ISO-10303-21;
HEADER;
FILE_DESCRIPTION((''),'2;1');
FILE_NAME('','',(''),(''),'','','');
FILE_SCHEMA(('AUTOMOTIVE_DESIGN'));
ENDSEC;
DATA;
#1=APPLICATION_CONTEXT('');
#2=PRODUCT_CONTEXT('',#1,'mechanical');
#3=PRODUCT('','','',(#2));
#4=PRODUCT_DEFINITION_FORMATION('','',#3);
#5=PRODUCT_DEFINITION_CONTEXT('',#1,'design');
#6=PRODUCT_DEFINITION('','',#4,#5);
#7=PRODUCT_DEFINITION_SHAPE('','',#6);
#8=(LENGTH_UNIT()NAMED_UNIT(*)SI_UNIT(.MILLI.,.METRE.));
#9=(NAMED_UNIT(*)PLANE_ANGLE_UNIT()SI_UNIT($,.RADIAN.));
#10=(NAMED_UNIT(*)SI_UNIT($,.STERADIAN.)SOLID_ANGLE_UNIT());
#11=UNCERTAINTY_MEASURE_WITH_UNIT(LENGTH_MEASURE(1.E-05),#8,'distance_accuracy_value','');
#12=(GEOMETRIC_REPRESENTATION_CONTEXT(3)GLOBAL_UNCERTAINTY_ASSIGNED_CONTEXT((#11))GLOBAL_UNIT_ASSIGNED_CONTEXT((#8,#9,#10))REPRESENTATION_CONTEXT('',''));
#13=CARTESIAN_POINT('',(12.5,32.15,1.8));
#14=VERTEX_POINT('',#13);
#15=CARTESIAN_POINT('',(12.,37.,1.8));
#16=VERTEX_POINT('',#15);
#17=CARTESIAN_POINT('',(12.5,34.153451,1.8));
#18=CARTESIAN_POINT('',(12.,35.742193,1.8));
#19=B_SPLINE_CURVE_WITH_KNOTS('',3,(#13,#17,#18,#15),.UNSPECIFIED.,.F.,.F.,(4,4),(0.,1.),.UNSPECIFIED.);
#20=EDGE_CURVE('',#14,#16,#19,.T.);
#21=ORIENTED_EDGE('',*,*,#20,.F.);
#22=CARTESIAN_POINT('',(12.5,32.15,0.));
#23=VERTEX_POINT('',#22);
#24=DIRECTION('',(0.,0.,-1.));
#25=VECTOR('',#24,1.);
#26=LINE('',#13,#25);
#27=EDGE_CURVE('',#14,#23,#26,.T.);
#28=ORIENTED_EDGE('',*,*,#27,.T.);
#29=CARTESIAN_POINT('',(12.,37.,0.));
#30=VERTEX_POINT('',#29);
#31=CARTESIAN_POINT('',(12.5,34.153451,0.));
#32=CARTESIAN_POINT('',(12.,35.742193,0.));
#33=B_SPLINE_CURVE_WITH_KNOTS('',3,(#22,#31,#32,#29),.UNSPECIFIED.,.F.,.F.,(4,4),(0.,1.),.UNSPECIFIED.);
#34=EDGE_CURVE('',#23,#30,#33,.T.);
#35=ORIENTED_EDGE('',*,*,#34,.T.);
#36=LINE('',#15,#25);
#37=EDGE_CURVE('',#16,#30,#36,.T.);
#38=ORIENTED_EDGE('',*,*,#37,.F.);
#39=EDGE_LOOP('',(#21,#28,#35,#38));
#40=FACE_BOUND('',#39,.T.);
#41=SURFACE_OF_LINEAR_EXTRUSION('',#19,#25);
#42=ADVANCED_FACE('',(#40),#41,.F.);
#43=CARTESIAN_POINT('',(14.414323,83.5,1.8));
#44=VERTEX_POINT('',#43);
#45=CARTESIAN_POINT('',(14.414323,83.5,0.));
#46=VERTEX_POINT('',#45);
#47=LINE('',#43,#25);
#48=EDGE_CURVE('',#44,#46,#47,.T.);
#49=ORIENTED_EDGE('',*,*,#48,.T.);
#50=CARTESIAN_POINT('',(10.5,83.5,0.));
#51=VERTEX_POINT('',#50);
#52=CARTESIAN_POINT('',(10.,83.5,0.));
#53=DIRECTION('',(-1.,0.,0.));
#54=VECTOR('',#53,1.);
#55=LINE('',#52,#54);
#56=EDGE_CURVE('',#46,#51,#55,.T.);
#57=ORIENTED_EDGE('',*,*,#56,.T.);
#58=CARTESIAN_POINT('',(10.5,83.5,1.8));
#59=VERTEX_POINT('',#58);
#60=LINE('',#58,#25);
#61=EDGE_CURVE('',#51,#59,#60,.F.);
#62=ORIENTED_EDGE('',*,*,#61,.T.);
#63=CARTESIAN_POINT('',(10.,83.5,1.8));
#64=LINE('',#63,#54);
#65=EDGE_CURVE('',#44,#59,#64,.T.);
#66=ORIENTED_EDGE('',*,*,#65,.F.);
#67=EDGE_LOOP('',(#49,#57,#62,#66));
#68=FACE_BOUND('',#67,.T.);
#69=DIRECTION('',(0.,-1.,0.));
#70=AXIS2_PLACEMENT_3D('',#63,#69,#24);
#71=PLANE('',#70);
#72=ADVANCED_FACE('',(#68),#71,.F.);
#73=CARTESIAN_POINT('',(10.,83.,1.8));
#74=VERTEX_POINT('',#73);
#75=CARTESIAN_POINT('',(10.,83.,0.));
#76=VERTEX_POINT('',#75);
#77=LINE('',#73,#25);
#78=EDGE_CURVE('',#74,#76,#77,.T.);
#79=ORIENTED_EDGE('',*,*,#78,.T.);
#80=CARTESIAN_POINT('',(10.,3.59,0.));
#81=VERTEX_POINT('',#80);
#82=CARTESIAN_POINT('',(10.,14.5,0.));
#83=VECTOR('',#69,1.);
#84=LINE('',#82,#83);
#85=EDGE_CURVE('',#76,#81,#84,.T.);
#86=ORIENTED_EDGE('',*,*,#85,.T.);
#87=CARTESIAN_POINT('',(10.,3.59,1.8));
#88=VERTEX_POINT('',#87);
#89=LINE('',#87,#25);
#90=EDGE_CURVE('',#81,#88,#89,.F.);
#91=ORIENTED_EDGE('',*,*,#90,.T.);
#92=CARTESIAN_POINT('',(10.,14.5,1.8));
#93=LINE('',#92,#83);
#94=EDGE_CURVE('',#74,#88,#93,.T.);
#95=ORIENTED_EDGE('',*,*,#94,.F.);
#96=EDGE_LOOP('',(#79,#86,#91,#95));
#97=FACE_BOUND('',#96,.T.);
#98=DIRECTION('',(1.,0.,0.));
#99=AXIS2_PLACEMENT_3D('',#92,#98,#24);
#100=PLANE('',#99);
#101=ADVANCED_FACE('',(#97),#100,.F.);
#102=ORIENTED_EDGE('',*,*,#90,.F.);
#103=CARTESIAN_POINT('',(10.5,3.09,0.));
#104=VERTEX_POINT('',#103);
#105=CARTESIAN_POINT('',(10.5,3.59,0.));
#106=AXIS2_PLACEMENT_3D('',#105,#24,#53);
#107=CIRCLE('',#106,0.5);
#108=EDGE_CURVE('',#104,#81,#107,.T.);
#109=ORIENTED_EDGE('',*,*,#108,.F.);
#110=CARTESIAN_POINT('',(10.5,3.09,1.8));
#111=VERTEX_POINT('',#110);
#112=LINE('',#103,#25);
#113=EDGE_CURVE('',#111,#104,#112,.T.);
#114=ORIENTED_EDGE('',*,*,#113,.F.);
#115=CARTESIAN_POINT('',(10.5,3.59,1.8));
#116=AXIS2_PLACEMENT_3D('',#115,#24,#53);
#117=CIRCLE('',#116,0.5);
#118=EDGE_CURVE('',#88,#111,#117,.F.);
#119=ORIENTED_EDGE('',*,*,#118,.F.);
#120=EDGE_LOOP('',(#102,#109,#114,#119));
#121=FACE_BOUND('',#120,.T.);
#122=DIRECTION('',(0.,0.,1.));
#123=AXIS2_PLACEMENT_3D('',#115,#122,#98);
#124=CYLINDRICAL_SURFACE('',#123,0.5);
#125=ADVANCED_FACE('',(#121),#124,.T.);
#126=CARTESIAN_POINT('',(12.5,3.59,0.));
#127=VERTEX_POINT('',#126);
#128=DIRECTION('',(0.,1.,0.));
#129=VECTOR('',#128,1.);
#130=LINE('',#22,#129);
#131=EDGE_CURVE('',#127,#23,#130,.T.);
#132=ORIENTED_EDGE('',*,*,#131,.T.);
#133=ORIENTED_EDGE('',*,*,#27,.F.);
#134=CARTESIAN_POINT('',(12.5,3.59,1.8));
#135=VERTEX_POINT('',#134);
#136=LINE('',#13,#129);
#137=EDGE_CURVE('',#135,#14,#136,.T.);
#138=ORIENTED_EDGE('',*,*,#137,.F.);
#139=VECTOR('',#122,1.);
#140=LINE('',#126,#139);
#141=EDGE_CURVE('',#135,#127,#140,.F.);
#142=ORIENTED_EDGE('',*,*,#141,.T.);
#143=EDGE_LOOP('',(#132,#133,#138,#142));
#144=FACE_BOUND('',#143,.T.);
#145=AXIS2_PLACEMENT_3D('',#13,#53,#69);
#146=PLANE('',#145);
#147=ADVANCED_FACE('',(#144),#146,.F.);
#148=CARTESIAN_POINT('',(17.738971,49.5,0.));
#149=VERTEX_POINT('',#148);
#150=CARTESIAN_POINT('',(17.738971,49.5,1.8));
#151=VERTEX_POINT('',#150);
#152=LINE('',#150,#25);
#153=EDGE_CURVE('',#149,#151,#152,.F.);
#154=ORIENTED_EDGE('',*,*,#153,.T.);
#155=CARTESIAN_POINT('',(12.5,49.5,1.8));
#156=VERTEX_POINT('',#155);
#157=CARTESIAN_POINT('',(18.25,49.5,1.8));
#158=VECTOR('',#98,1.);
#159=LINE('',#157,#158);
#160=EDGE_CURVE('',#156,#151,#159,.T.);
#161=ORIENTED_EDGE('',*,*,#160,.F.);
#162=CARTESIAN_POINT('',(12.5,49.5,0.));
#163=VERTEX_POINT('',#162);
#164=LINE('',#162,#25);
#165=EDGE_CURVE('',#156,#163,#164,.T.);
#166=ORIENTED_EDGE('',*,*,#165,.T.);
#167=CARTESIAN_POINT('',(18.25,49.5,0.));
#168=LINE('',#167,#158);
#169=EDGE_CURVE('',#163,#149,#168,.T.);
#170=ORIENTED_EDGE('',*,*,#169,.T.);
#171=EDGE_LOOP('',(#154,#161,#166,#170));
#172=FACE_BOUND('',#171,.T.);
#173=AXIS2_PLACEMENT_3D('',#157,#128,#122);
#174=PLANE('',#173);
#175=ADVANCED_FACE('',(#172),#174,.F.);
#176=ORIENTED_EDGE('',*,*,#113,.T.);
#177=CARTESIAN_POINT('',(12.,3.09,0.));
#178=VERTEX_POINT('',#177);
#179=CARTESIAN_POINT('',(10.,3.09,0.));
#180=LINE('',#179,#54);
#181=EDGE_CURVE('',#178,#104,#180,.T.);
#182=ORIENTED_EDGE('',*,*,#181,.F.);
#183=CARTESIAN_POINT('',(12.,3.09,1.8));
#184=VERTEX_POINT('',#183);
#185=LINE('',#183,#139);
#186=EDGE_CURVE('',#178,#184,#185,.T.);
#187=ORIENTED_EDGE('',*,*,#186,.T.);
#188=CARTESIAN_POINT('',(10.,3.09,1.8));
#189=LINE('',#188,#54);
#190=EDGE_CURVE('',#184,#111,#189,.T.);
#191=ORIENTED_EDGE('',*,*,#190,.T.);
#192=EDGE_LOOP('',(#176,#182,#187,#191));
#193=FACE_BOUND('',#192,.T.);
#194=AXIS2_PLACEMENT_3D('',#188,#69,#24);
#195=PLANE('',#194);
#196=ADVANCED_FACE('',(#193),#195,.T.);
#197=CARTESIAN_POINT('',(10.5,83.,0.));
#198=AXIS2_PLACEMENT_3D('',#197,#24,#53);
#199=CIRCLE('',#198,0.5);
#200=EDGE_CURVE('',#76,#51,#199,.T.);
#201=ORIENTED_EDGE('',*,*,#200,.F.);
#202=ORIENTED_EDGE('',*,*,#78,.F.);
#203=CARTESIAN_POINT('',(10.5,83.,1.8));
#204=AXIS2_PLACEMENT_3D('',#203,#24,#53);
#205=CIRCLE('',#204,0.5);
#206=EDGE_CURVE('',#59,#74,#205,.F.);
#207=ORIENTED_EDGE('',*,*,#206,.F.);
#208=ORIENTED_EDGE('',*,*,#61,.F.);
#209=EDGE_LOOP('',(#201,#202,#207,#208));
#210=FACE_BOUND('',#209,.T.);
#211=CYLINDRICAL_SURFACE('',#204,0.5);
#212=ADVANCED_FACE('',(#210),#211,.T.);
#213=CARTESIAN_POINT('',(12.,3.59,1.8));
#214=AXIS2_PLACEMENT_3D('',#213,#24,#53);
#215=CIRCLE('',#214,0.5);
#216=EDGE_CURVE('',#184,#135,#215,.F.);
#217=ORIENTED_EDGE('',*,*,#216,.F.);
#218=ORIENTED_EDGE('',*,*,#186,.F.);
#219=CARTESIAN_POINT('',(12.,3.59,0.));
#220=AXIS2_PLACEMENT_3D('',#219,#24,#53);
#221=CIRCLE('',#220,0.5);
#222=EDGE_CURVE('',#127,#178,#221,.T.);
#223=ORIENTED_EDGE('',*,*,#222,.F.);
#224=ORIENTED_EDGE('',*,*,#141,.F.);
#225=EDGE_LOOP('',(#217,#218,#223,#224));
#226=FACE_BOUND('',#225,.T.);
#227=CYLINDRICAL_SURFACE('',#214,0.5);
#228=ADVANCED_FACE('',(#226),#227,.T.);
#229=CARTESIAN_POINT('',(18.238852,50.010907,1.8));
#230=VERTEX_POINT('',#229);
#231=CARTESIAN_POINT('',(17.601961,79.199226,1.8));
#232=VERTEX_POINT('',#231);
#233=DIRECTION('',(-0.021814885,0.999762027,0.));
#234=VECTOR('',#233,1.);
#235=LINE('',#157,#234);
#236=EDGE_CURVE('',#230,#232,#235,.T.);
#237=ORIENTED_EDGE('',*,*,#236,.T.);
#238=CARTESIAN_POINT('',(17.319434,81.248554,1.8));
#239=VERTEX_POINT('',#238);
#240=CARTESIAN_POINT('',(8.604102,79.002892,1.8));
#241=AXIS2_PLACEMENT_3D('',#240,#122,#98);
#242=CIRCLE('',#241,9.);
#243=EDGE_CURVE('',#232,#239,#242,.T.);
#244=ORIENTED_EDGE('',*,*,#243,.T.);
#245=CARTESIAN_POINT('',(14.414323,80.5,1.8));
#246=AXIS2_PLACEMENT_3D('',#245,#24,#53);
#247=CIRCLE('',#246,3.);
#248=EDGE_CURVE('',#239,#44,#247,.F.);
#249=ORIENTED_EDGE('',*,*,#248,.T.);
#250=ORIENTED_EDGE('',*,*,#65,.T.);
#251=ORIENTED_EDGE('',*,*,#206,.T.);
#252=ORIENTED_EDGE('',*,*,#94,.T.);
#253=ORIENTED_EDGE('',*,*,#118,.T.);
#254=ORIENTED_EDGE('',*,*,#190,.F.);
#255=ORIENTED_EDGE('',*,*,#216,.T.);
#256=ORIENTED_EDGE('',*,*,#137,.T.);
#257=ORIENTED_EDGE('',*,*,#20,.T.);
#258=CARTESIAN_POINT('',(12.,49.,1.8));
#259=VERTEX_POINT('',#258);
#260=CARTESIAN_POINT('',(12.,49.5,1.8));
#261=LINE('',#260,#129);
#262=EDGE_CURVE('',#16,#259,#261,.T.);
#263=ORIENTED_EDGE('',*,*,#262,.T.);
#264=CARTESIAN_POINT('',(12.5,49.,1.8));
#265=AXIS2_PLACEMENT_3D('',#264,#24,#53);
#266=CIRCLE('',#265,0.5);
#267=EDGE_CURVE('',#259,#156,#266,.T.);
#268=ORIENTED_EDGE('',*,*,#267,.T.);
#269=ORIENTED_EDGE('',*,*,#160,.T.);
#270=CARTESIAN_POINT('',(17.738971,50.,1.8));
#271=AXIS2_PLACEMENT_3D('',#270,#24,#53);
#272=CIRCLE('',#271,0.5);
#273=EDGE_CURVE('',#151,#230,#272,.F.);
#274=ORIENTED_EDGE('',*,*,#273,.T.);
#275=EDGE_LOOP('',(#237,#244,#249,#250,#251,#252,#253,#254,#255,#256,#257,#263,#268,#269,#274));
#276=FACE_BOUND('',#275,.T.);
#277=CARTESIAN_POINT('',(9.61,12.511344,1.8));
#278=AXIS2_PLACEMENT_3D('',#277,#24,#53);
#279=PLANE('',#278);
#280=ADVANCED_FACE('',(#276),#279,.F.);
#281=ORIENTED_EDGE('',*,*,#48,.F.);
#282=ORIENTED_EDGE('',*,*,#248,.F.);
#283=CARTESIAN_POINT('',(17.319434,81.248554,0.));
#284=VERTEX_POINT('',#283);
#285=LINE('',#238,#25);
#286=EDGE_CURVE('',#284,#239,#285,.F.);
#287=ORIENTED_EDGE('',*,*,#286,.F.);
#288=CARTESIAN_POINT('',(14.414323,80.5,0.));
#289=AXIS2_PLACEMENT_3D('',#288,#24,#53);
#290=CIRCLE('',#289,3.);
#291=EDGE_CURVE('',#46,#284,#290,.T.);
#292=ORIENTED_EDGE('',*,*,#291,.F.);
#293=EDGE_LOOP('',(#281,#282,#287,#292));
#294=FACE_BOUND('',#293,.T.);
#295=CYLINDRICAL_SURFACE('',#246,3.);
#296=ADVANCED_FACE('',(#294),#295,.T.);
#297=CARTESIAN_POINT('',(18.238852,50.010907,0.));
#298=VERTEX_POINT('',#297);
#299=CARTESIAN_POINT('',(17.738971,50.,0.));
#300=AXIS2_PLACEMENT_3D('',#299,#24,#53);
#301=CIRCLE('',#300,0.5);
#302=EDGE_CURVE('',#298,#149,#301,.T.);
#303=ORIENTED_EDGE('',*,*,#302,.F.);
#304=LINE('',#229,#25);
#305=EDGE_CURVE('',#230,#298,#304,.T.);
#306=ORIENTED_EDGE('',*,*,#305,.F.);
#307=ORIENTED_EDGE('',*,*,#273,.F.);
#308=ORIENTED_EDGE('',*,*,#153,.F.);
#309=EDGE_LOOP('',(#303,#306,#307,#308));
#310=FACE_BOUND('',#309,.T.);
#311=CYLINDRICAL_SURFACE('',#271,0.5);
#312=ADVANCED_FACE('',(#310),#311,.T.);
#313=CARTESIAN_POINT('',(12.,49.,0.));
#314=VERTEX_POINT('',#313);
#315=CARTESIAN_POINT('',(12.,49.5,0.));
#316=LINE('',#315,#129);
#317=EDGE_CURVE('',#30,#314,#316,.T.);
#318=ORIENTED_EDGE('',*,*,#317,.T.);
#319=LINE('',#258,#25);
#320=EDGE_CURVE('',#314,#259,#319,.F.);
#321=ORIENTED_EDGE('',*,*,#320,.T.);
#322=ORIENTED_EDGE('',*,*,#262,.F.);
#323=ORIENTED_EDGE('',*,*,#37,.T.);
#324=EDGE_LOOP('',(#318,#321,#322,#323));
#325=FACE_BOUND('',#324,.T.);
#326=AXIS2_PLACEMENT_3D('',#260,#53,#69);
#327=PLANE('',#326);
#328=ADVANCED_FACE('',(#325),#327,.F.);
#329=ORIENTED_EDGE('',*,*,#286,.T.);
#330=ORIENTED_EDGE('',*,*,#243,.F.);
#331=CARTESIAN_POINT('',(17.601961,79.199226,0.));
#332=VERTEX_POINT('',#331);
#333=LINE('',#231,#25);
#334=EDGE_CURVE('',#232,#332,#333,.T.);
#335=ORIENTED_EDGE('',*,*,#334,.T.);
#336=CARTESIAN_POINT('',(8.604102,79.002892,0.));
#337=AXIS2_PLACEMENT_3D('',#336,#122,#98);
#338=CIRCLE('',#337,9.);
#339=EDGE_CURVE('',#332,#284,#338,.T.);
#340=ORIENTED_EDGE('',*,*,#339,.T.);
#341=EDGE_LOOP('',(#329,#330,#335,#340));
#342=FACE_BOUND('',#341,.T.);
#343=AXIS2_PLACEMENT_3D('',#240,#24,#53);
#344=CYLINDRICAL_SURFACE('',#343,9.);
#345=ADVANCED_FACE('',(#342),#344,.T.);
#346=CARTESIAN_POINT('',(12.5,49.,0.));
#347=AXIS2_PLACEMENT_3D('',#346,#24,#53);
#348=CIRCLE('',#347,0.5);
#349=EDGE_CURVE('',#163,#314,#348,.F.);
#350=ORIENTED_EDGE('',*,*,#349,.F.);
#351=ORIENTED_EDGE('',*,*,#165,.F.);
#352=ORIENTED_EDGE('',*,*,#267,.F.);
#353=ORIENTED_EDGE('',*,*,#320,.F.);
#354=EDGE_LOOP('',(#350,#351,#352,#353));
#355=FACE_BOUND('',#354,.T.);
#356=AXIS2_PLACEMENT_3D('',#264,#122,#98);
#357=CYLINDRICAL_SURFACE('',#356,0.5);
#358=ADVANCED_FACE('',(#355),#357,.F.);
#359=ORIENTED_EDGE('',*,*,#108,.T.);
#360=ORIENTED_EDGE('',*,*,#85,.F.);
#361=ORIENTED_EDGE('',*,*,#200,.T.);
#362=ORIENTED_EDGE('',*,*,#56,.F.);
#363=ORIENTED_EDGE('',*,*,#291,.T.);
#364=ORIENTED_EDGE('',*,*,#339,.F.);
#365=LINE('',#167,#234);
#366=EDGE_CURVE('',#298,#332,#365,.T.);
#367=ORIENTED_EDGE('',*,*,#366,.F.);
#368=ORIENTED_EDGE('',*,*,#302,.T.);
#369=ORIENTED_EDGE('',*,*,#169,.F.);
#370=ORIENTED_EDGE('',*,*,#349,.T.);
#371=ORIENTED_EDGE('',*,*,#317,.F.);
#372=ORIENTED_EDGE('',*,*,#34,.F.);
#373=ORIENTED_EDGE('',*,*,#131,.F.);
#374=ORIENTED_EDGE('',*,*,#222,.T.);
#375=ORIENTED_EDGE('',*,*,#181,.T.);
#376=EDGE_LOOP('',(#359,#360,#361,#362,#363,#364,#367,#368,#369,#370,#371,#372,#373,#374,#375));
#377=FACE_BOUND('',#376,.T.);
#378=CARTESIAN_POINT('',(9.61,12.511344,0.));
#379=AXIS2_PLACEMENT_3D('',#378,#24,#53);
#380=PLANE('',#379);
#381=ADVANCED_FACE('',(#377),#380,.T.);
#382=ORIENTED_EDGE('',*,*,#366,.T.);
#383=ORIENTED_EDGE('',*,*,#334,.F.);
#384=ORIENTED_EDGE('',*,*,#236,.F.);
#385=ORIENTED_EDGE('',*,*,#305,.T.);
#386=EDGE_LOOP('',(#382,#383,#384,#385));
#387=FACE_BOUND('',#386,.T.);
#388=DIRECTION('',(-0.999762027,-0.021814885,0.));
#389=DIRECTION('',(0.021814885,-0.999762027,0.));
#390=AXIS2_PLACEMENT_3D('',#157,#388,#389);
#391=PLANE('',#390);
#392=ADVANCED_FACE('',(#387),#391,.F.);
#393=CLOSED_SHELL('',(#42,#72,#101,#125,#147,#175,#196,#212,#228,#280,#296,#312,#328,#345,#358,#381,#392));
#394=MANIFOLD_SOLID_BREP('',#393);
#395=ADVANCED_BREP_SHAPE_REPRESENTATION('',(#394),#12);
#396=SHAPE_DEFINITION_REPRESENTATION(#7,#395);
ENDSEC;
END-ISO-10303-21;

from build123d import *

# Parameters (mm, degrees)
BOSS_EXTRUDE1_DEPTH = 1.8
FILLET1_R           = 0.5
SKETCH2_R           = 1.75
BOSS_EXTRUDE3_DEPTH = 1.8
CUT_EXTRUDE2_DEPTH  = 1.8
FILLET2_R           = 0.5
FILLET3_R           = 3


with BuildPart() as part:
    # Sketch1 → Boss-Extrude1 (new body)
    with BuildSketch(Plane.XY):
        with BuildLine():
            Line((0, 4.5), (0, 6.5))
            Line((0, 6.5), (6, 6.5))
            Line((6, 6.5), (6, 10.5))
            Line((6, 10.5), (10, 14.5))
            Line((10, 14.5), (10, 83.5))
            Line((10, 83.5), (16.4, 83.5))
            ThreePointArc((16.4, 83.5), (17.2719581, 81.425344658), (17.601960582, 79.199226044))
            Line((17.601960582, 79.199226044), (18.25, 49.5))
            Line((18.25, 49.5), (12, 49.5))
            Line((12, 49.5), (12, 37))
            add(Edge.make_bspline(
                [(12, 37), (12, 35.742192932), (12.5, 34.153450807), (12.5, 32.15)],
                knots=[0, 0, 0, 0, 1, 1, 1, 1], degree=3))
            Line((12.5, 32.15), (12.5, 2.89))
            ThreePointArc((12.5, 2.89), (11.653538598, 0.846461402), (9.61, 0))
            ThreePointArc((9.61, 0), (4.304293167, 1.180712741), (0, 4.5))
        make_face()
    extrude(amount=BOSS_EXTRUDE1_DEPTH)

    # Fillet1
    fillet1_edges = [part.edges().sort_by_distance(p)[0] for p in [
        (0, 4.5, 0.9),
        (0, 6.5, 0.9),
        (6, 6.5, 0.9),
        (6, 10.5, 0.9),
        (10, 14.5, 0.9),
        (10, 83.5, 0.9),
        (18.25, 49.5, 0.9),
        (12, 49.5, 0.9),
    ]]
    fillet(fillet1_edges, radius=FILLET1_R)

    # Sketch2 → Boss-Extrude3 (add)
    with BuildSketch(Plane.XY):
        with BuildLine():
            Line((7, -2.499596966), (7, 0.500403034))
            Line((7, 0.500403034), (11, 0.500403034))
            Line((11, 0.500403034), (11.824045318, -1.578286292))
            ThreePointArc((11.824045318, -1.578286292), (9.968981185, -4.955214332), (7, -2.499596966))
        make_face()
        with Locations((9.5, -2.499596966)):
            Circle(SKETCH2_R, mode=Mode.SUBTRACT)
    extrude(amount=BOSS_EXTRUDE3_DEPTH)

    # Sketch5 → Cut-Extrude2 (cut)
    with BuildSketch(Plane.XY):
        Polygon((10, 29.542425494), (10, 3.09), (19.868157727, 3.09), (19.868157727, -10.013619472), (-11.195906999, -10.013619472), (-11.195906999, 29.542425494), align=None)
    extrude(amount=CUT_EXTRUDE2_DEPTH, mode=Mode.SUBTRACT)

    # Fillet2
    fillet2_edges = [part.edges().sort_by_distance(p)[0] for p in [
        (10, 3.09, 0.9),
        (12.5, 3.09, 0.9),
    ]]
    fillet(fillet2_edges, radius=FILLET2_R)

    # Fillet3
    fillet3_edges = [part.edges().sort_by_distance(p)[0] for p in [
        (16.4, 83.5, 0.9),
    ]]
    fillet(fillet3_edges, radius=FILLET3_R)


solid = part.part
